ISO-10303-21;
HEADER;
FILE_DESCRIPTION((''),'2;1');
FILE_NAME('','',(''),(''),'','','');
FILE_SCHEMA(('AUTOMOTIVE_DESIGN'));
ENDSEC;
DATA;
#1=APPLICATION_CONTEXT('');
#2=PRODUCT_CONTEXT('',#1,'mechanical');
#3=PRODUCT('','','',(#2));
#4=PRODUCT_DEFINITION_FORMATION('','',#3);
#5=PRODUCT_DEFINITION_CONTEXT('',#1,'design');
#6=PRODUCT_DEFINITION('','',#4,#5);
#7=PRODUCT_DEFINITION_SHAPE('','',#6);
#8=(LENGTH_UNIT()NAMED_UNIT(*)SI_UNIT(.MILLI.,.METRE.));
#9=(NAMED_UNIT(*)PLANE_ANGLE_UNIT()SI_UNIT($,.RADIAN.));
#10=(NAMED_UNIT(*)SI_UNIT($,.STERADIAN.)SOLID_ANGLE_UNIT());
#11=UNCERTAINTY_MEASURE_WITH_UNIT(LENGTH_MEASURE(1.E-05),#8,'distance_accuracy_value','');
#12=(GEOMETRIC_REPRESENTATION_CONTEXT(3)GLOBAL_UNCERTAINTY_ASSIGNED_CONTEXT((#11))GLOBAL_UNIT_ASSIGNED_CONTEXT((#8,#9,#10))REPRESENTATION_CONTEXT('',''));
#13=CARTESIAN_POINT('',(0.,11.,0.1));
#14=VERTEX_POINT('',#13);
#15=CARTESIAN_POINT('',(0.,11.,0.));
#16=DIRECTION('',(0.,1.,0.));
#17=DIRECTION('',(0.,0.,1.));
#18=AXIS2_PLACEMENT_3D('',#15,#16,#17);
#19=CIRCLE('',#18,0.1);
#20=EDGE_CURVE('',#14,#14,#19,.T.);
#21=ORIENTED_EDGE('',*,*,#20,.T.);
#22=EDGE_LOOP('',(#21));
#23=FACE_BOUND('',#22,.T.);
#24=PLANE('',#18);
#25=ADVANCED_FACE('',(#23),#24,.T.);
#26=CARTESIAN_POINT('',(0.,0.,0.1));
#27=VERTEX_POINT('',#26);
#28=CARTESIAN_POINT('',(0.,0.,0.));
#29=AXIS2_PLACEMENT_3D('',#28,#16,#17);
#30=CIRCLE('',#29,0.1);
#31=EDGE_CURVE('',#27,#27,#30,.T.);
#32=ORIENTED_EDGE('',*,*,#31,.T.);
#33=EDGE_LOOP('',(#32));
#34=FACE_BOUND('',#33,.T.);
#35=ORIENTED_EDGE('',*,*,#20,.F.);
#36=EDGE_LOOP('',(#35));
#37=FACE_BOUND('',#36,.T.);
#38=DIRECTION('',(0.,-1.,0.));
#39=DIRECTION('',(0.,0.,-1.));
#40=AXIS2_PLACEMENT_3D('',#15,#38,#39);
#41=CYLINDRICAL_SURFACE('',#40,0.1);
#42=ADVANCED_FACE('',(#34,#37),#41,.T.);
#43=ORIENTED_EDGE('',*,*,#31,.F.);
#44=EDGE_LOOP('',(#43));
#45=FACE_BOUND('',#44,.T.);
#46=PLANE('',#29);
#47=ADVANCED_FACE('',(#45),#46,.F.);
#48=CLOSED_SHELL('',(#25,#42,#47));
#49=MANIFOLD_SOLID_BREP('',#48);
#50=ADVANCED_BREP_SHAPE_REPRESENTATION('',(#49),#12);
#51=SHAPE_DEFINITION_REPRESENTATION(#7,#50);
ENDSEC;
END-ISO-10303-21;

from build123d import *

# Parameters (mm, degrees)
SKETCH_1_R      = 0.1
EXTRUDE_1_DEPTH = 11


with BuildPart() as part:
    # Эскиз1 → Бобышка-Вытянуть1 (new body)
    with BuildSketch(Plane(origin=(0, 0, 0), x_dir=(1, 0, 0), z_dir=(0, 1, 0))):
        with Locations(Location((0, 0, 0), (0, 0, 270))):
            Circle(SKETCH_1_R)
    extrude(amount=EXTRUDE_1_DEPTH)


solid = part.part
